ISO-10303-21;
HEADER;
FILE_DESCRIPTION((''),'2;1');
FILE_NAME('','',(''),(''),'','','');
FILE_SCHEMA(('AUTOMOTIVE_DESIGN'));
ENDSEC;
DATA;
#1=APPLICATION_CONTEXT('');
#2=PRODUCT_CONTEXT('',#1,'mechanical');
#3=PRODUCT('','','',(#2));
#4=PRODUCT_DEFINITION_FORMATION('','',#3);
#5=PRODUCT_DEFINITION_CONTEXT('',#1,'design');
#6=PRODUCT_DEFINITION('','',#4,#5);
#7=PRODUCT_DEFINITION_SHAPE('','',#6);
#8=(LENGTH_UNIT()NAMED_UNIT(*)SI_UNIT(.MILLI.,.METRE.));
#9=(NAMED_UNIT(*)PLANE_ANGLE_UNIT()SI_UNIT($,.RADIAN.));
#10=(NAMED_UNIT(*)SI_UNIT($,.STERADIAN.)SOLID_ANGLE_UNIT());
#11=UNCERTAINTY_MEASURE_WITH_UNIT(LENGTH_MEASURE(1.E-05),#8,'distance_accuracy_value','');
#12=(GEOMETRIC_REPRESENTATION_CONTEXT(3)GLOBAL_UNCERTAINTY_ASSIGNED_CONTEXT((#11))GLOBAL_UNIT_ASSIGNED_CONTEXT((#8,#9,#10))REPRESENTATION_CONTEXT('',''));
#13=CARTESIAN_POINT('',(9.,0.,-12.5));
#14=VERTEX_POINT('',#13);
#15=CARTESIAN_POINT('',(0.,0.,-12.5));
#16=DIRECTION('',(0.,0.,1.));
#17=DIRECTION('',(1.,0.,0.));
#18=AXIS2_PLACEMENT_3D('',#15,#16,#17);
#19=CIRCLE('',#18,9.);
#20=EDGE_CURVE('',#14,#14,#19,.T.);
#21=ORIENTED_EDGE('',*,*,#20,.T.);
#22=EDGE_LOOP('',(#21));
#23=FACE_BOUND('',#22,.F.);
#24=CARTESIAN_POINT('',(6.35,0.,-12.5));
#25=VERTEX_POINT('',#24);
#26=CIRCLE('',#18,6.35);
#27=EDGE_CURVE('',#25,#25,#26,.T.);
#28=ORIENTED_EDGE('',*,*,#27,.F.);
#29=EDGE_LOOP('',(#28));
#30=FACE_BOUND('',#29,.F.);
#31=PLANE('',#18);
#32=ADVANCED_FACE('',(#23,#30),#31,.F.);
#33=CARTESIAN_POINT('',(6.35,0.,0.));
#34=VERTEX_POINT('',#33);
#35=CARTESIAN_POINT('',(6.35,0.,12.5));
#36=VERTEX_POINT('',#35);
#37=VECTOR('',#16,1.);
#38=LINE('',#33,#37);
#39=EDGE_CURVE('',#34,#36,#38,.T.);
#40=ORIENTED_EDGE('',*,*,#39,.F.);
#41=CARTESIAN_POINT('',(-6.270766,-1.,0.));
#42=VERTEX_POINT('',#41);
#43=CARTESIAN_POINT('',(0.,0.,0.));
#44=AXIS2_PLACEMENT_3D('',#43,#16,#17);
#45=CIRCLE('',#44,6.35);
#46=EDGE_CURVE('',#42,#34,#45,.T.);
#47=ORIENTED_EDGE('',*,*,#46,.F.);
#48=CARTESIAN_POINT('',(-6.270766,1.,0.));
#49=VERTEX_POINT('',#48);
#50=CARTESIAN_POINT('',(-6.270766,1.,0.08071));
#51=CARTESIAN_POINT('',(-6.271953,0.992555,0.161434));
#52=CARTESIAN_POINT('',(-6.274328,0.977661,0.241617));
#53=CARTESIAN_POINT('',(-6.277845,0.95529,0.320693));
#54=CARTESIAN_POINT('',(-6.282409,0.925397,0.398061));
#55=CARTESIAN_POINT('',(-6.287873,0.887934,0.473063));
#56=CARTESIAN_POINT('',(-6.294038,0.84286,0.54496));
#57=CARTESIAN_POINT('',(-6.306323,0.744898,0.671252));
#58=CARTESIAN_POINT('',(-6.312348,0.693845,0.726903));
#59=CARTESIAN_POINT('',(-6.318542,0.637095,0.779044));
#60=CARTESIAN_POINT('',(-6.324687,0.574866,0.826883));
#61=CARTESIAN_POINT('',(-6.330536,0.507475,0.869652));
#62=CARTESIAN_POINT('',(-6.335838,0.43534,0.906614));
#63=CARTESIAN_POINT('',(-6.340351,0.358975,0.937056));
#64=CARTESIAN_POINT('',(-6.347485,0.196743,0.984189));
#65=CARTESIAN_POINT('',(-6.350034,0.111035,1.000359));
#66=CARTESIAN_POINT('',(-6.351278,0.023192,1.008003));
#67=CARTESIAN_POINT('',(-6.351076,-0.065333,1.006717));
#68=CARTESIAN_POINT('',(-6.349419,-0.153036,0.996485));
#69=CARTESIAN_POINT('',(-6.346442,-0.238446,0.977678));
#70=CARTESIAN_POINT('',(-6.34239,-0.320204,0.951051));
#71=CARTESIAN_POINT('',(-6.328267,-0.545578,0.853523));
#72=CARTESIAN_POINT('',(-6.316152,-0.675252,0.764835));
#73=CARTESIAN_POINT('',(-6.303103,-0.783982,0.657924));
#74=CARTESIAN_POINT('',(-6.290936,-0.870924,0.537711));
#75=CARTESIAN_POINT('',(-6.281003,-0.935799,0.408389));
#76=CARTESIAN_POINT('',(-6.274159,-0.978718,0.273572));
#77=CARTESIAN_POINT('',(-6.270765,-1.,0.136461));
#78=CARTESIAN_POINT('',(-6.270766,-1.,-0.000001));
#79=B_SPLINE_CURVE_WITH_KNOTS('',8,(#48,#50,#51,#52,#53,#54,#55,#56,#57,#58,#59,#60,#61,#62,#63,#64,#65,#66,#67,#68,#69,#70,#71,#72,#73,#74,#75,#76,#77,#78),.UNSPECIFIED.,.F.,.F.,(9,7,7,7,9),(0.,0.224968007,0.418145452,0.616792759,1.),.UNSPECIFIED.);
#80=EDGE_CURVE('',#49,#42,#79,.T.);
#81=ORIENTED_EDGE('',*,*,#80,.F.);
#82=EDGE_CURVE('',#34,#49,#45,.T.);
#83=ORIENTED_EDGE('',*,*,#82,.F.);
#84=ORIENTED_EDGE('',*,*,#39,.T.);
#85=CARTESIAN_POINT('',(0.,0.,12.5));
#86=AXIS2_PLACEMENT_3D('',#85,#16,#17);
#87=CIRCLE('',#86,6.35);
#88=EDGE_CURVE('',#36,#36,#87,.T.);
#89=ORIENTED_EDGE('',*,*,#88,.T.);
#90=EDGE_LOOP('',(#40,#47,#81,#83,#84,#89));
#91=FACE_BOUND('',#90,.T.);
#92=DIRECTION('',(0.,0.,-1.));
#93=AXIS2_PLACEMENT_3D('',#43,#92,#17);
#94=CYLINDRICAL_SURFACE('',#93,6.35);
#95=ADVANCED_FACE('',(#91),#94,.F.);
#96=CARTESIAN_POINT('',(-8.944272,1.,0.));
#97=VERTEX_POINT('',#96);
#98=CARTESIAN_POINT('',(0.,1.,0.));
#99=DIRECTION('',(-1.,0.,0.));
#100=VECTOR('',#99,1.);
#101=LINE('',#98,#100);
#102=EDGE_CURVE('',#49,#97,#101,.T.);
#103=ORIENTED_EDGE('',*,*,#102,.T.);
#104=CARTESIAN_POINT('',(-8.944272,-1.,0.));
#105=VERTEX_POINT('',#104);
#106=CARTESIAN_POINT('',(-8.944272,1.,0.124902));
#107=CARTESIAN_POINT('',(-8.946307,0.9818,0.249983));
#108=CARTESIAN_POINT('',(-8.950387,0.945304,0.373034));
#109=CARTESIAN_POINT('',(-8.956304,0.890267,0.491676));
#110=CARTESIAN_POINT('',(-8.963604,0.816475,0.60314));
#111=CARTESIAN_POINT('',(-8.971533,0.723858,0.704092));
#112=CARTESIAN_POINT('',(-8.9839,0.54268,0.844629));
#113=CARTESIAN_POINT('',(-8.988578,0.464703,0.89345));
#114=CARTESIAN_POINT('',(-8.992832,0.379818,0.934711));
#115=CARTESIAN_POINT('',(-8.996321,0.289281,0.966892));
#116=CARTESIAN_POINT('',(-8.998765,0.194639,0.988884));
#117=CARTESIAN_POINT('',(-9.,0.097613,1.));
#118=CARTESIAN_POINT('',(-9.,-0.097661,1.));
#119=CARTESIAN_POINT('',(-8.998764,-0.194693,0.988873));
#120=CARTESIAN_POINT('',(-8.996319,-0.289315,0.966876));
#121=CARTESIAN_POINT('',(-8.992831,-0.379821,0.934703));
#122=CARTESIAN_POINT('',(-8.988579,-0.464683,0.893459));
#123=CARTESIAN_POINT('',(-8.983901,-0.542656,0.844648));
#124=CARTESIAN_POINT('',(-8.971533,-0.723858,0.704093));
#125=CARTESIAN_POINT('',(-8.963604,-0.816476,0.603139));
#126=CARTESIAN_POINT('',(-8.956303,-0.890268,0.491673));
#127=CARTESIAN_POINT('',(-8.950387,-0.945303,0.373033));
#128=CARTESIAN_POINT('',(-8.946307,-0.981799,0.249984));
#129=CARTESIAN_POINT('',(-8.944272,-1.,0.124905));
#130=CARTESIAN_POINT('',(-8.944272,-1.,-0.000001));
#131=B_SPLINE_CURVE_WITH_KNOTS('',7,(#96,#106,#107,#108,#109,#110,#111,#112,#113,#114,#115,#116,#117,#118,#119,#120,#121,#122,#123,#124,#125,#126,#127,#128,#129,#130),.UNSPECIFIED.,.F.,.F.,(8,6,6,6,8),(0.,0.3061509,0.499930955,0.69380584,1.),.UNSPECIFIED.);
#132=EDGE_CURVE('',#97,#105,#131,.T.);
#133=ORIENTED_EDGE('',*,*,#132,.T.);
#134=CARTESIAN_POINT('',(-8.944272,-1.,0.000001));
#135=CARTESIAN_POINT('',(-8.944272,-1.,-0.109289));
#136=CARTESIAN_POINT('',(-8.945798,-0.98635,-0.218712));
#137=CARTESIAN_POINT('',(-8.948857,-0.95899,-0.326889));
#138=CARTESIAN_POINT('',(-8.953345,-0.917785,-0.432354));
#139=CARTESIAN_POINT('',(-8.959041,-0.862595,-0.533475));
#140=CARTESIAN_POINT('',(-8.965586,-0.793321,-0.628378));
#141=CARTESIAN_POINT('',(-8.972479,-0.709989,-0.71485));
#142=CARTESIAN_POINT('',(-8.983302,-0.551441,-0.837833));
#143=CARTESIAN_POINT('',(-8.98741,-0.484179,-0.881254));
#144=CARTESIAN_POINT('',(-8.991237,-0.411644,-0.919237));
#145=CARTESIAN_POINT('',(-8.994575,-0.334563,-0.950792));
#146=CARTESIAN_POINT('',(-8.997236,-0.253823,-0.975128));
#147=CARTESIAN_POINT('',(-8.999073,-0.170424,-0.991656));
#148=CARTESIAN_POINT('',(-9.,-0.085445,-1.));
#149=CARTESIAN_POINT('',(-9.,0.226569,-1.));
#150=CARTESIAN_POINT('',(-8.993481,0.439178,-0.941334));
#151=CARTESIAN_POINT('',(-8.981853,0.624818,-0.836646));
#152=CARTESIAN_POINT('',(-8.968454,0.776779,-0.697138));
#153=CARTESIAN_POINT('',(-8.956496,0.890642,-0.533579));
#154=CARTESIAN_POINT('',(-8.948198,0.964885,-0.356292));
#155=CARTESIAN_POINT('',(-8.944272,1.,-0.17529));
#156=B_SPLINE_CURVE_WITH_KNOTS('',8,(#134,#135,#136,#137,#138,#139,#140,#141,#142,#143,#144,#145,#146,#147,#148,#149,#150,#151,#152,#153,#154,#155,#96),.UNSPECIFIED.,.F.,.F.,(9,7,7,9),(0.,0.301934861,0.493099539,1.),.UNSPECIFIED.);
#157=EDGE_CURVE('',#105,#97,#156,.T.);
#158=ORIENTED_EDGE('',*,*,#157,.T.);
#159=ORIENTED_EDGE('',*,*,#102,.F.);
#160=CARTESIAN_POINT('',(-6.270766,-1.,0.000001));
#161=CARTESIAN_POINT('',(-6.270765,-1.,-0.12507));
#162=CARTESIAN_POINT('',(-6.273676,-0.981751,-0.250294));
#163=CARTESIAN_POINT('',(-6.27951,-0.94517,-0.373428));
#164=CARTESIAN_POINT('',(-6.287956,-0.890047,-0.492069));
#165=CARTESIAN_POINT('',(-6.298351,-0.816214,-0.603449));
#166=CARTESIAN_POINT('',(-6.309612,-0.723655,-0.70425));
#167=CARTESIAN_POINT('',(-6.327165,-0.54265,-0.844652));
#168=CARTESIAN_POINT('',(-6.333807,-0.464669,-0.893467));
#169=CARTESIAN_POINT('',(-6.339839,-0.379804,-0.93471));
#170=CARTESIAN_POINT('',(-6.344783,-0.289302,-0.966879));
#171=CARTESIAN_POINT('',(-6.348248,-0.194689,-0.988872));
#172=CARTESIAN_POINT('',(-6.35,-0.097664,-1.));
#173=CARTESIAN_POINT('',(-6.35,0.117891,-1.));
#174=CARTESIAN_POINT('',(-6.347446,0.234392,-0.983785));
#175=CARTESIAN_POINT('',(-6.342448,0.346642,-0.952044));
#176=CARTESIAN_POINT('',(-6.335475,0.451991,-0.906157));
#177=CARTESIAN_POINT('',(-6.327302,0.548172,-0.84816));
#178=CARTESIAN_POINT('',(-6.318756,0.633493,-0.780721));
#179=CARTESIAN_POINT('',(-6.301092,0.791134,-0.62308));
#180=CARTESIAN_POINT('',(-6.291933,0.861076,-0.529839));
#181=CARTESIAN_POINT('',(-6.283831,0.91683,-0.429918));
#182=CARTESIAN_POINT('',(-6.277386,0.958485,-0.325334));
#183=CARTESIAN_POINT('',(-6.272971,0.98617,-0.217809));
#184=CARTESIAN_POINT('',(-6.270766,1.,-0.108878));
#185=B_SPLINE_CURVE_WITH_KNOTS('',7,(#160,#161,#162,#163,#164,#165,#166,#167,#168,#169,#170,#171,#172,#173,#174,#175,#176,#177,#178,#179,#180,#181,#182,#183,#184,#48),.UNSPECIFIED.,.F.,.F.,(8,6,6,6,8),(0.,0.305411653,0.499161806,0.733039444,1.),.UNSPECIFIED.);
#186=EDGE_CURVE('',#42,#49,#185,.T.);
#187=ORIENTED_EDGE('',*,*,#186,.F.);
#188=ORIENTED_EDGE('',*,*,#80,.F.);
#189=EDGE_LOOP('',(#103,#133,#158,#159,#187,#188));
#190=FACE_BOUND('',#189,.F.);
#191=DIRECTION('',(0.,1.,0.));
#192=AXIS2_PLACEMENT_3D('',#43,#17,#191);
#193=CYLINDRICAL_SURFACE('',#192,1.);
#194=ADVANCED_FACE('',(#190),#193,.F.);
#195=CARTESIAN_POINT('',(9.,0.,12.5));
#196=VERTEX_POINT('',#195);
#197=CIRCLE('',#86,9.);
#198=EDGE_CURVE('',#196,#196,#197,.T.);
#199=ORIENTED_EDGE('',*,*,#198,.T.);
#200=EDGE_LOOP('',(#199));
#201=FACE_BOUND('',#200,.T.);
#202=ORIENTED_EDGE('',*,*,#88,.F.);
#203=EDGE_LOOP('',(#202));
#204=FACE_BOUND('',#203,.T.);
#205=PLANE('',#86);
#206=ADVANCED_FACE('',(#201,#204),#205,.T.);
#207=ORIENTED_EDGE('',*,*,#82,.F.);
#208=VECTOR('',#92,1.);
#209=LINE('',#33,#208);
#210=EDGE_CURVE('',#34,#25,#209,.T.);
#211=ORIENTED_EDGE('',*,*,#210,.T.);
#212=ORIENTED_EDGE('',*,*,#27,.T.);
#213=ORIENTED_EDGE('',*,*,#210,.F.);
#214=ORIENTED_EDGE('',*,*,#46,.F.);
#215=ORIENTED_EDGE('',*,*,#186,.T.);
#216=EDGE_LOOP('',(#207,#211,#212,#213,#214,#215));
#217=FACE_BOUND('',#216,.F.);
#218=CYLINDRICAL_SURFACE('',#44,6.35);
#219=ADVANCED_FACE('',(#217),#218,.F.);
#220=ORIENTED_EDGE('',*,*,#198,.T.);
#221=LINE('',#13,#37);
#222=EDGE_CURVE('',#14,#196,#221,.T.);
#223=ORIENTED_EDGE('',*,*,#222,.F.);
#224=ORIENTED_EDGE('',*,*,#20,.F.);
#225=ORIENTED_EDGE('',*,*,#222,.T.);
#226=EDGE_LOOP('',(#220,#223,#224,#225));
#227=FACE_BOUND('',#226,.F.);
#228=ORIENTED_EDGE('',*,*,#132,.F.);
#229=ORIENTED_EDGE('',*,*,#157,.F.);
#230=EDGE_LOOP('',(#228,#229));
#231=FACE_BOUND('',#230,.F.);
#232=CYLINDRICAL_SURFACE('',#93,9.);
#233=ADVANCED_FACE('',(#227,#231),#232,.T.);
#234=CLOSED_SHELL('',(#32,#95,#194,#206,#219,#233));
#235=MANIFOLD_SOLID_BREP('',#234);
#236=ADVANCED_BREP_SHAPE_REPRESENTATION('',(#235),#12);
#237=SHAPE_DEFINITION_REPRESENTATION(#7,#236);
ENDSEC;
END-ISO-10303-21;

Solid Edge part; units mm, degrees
sketch "Sketch1" plane through (0, 0, 0) normal (0, 0, 1) x (1, 0, 0)
  circle A0 centre (0, 0) radius 6.35
  circle A1 centre (0, 0) radius 9
extrude "Protrusion1" add sketch "Sketch1" along normal mid plane 25
sketch "Sketch2" plane through (0, 0, 0) normal (1, 0, 0) x (0, 1, 0)
  circle A0 centre (0, 0) radius 1
extrude "ExtrudedCutout_1" cut sketch "Sketch2" against normal blind 16.5819
